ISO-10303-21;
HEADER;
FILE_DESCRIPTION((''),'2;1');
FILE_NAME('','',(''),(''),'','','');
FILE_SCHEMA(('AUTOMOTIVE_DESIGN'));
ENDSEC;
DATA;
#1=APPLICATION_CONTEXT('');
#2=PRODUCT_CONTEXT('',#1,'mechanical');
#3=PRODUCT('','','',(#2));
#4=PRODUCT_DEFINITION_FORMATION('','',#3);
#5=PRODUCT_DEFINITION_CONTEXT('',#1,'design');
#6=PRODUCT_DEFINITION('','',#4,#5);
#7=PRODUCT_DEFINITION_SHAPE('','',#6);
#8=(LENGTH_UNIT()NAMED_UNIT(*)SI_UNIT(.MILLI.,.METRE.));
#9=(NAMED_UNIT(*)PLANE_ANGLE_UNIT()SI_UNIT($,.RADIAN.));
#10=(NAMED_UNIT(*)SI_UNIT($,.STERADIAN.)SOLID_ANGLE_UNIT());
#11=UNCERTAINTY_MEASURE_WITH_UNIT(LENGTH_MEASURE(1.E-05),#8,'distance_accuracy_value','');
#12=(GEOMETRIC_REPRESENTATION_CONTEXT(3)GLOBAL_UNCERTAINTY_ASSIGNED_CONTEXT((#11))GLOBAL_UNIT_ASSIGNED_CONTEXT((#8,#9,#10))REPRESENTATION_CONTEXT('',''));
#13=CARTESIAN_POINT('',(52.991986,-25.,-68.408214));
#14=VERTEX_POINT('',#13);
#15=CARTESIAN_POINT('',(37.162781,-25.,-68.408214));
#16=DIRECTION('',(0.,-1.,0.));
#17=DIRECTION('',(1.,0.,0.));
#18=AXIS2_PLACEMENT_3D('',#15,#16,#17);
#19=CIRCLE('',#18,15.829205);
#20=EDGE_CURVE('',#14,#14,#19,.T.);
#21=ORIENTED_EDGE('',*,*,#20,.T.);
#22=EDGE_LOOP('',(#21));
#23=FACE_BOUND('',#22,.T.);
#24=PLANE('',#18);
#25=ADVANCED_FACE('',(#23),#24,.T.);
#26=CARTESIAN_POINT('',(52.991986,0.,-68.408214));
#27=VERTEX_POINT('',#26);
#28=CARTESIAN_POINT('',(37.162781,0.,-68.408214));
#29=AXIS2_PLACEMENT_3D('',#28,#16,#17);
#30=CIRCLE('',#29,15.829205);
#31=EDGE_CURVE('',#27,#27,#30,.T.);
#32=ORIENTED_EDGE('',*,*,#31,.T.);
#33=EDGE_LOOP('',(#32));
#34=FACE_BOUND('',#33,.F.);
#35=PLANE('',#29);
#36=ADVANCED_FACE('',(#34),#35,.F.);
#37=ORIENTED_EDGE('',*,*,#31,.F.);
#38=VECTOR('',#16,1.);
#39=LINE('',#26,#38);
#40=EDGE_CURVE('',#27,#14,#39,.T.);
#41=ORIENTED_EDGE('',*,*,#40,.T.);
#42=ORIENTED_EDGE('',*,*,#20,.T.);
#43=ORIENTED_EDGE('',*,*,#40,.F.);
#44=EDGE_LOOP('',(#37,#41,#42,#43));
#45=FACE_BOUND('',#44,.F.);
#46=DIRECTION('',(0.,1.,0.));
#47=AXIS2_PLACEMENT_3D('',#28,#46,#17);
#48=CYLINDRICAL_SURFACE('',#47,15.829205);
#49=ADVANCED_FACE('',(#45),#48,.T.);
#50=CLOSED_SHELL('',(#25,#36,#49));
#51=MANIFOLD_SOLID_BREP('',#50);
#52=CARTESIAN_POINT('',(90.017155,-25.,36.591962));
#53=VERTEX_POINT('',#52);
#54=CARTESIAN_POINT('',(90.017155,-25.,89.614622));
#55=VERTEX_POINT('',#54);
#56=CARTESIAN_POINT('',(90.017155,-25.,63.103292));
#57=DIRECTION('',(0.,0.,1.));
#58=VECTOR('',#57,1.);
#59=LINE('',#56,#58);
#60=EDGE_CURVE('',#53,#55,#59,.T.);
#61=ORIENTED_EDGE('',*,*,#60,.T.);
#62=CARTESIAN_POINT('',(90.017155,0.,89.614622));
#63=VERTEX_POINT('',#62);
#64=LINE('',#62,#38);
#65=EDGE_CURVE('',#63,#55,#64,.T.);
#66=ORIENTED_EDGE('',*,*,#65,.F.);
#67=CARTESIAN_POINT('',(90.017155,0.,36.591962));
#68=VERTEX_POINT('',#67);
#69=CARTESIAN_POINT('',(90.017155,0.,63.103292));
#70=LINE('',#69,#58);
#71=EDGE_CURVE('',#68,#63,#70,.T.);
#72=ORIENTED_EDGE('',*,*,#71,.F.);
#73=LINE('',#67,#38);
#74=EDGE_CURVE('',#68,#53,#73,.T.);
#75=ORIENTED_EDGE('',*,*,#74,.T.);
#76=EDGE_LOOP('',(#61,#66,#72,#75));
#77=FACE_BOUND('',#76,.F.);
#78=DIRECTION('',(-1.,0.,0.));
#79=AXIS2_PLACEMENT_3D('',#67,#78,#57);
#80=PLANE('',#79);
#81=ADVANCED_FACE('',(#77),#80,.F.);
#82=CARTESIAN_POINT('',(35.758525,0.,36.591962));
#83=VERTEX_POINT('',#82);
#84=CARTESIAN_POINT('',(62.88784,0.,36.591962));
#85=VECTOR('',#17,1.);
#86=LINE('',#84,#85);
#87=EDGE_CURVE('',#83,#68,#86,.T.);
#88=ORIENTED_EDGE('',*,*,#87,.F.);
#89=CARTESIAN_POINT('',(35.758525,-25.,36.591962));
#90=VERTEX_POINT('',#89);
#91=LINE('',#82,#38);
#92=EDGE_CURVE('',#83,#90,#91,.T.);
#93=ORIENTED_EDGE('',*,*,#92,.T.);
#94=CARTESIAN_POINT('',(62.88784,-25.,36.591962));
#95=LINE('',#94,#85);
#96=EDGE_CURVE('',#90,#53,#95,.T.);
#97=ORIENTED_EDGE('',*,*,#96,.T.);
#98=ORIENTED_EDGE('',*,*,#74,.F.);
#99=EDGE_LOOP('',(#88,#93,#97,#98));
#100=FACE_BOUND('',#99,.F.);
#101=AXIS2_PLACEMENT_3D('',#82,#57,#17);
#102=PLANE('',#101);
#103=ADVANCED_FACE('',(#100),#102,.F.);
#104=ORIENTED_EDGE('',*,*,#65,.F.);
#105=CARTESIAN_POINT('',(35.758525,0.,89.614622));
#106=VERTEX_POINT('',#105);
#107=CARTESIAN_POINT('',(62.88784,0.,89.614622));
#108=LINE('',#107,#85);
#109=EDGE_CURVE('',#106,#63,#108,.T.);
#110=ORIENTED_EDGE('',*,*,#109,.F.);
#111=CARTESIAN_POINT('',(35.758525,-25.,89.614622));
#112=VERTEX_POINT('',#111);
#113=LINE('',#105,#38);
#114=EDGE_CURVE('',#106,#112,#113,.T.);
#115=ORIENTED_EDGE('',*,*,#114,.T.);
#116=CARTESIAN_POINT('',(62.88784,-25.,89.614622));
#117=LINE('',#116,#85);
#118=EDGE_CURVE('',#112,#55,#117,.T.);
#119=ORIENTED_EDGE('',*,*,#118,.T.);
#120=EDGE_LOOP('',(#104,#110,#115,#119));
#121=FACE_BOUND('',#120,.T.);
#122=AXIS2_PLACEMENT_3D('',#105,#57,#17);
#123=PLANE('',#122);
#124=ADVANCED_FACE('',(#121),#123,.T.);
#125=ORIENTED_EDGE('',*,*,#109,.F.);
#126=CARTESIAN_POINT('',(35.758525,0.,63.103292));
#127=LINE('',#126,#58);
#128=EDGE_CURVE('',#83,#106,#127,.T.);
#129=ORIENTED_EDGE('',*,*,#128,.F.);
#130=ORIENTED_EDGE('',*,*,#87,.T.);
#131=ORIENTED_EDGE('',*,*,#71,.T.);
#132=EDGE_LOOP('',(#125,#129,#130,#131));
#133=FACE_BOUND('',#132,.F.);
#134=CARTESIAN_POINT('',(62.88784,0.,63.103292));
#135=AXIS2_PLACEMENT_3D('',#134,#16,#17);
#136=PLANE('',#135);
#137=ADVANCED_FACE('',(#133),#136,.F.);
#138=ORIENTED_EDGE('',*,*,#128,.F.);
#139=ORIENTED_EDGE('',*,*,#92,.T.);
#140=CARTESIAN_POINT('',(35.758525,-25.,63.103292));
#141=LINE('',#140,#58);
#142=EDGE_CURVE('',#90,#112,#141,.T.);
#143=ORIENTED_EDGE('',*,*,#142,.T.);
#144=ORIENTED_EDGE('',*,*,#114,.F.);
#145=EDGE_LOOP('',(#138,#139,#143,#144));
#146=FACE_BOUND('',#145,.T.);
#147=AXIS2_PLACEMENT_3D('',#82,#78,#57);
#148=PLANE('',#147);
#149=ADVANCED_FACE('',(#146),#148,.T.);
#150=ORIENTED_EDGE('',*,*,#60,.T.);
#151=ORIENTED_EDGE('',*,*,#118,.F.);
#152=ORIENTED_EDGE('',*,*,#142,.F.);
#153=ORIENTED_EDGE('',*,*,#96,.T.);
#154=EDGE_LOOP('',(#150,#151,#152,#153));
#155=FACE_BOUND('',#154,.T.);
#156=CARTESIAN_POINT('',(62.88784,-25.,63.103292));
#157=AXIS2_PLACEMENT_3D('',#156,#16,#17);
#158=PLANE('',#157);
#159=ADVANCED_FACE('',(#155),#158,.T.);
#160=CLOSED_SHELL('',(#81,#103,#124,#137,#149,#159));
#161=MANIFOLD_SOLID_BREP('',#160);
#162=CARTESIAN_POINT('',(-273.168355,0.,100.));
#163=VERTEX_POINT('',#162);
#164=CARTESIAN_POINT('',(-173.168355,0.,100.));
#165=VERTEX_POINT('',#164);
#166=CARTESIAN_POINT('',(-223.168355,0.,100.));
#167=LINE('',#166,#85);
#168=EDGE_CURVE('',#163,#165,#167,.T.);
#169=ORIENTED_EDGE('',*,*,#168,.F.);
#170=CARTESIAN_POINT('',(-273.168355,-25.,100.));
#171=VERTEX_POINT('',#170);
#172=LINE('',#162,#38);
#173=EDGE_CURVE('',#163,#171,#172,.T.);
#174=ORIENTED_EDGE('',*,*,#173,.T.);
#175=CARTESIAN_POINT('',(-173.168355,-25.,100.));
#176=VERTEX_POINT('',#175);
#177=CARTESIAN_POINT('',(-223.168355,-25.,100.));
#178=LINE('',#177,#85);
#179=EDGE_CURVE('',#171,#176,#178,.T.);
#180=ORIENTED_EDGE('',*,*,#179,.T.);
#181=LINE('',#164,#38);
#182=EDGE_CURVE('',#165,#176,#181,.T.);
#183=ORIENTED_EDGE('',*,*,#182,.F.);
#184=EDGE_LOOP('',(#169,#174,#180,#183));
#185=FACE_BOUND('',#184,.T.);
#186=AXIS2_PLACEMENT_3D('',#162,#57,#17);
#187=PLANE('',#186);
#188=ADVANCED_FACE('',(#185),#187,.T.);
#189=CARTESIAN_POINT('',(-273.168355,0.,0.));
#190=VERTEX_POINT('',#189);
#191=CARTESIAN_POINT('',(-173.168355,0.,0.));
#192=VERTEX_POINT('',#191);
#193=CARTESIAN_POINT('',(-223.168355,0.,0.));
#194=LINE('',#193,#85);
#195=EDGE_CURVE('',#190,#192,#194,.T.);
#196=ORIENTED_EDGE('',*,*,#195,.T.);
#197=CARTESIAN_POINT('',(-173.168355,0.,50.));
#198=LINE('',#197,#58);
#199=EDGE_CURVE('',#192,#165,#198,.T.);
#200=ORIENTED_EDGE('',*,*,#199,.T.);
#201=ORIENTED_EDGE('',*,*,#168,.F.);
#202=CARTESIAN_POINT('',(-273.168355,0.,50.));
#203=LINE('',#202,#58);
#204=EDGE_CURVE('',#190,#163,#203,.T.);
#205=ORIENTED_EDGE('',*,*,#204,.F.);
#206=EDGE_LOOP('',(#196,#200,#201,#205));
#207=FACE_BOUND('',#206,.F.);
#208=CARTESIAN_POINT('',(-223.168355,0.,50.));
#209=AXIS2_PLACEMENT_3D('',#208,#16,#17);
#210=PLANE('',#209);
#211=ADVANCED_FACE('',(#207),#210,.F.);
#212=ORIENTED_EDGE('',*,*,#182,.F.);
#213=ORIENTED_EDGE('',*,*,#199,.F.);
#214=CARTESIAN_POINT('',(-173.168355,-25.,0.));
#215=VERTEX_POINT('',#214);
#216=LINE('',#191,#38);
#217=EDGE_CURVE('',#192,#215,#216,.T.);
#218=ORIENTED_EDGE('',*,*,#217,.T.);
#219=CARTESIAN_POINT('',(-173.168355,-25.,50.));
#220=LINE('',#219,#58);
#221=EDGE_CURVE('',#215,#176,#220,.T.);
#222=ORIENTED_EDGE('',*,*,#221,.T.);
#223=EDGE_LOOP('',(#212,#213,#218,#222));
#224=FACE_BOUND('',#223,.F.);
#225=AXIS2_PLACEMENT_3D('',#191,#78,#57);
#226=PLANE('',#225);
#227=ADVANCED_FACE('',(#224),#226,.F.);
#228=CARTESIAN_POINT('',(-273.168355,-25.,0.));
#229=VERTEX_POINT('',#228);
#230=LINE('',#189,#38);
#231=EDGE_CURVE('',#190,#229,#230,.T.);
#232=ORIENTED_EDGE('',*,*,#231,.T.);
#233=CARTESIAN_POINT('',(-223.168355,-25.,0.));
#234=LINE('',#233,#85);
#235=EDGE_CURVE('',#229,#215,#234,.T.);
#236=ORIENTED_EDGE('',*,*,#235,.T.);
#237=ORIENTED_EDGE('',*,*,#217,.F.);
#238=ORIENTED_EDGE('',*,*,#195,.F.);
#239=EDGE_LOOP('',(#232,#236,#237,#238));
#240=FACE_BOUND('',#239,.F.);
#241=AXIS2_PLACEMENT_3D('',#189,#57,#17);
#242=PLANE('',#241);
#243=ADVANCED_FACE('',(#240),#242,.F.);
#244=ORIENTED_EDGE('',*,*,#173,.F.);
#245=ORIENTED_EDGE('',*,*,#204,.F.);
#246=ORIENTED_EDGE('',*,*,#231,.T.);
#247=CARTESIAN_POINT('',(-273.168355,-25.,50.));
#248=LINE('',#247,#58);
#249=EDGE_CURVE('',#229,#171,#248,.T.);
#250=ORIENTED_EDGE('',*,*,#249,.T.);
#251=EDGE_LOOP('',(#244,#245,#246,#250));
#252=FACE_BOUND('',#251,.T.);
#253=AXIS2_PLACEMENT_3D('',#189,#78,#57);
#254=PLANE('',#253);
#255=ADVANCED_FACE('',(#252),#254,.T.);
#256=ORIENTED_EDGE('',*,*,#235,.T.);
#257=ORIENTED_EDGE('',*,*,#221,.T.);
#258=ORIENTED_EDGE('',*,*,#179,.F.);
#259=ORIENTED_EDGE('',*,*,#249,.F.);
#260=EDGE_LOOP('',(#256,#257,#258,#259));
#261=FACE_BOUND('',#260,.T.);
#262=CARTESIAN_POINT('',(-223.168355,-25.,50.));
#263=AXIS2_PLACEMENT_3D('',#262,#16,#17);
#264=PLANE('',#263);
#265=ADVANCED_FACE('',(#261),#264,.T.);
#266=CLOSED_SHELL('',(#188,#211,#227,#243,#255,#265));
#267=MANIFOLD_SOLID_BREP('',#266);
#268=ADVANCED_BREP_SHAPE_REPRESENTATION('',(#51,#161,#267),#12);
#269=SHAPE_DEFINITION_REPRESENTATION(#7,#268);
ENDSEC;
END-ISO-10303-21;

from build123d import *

# Parameters (mm, degrees)
F0_W     = 70.721321
F0_H     = 67.84005
F1_DEPTH = 25
F2_W     = 100
F2_H     = 100
F3_DEPTH = 25
F4_W     = 54.25863
F4_H     = 53.02266
F5_DEPTH = 25
F6_R     = 15.829205
F7_DEPTH = 25


with BuildPart() as f1:
    # F0 (on Front) → F1 (new body)
    with BuildSketch(Plane.XZ):
        with Locations((-127.561395, 28.1989)):
            Rectangle(F0_W, F0_H)
    extrude(amount=F1_DEPTH)


with BuildPart() as f3:
    # F2 (on Front) → F3 (new body)
    with BuildSketch(Plane.XZ):
        with Locations((-223.168355, 50)):
            Rectangle(F2_W, F2_H)
    extrude(amount=F3_DEPTH)


with BuildPart() as f5:
    # F4 (on Front) → F5 (new body)
    with BuildSketch(Plane.XZ):
        with Locations((62.88784, 63.103292)):
            Rectangle(F4_W, F4_H)
    extrude(amount=F5_DEPTH)


with BuildPart() as f7:
    # F6 (on Front) → F7 (new body)
    with BuildSketch(Plane.XZ):
        with Locations((37.162781, -68.408214)):
            Circle(F6_R)
    extrude(amount=F7_DEPTH)


solid = Compound([f3.part, f5.part, f7.part])
